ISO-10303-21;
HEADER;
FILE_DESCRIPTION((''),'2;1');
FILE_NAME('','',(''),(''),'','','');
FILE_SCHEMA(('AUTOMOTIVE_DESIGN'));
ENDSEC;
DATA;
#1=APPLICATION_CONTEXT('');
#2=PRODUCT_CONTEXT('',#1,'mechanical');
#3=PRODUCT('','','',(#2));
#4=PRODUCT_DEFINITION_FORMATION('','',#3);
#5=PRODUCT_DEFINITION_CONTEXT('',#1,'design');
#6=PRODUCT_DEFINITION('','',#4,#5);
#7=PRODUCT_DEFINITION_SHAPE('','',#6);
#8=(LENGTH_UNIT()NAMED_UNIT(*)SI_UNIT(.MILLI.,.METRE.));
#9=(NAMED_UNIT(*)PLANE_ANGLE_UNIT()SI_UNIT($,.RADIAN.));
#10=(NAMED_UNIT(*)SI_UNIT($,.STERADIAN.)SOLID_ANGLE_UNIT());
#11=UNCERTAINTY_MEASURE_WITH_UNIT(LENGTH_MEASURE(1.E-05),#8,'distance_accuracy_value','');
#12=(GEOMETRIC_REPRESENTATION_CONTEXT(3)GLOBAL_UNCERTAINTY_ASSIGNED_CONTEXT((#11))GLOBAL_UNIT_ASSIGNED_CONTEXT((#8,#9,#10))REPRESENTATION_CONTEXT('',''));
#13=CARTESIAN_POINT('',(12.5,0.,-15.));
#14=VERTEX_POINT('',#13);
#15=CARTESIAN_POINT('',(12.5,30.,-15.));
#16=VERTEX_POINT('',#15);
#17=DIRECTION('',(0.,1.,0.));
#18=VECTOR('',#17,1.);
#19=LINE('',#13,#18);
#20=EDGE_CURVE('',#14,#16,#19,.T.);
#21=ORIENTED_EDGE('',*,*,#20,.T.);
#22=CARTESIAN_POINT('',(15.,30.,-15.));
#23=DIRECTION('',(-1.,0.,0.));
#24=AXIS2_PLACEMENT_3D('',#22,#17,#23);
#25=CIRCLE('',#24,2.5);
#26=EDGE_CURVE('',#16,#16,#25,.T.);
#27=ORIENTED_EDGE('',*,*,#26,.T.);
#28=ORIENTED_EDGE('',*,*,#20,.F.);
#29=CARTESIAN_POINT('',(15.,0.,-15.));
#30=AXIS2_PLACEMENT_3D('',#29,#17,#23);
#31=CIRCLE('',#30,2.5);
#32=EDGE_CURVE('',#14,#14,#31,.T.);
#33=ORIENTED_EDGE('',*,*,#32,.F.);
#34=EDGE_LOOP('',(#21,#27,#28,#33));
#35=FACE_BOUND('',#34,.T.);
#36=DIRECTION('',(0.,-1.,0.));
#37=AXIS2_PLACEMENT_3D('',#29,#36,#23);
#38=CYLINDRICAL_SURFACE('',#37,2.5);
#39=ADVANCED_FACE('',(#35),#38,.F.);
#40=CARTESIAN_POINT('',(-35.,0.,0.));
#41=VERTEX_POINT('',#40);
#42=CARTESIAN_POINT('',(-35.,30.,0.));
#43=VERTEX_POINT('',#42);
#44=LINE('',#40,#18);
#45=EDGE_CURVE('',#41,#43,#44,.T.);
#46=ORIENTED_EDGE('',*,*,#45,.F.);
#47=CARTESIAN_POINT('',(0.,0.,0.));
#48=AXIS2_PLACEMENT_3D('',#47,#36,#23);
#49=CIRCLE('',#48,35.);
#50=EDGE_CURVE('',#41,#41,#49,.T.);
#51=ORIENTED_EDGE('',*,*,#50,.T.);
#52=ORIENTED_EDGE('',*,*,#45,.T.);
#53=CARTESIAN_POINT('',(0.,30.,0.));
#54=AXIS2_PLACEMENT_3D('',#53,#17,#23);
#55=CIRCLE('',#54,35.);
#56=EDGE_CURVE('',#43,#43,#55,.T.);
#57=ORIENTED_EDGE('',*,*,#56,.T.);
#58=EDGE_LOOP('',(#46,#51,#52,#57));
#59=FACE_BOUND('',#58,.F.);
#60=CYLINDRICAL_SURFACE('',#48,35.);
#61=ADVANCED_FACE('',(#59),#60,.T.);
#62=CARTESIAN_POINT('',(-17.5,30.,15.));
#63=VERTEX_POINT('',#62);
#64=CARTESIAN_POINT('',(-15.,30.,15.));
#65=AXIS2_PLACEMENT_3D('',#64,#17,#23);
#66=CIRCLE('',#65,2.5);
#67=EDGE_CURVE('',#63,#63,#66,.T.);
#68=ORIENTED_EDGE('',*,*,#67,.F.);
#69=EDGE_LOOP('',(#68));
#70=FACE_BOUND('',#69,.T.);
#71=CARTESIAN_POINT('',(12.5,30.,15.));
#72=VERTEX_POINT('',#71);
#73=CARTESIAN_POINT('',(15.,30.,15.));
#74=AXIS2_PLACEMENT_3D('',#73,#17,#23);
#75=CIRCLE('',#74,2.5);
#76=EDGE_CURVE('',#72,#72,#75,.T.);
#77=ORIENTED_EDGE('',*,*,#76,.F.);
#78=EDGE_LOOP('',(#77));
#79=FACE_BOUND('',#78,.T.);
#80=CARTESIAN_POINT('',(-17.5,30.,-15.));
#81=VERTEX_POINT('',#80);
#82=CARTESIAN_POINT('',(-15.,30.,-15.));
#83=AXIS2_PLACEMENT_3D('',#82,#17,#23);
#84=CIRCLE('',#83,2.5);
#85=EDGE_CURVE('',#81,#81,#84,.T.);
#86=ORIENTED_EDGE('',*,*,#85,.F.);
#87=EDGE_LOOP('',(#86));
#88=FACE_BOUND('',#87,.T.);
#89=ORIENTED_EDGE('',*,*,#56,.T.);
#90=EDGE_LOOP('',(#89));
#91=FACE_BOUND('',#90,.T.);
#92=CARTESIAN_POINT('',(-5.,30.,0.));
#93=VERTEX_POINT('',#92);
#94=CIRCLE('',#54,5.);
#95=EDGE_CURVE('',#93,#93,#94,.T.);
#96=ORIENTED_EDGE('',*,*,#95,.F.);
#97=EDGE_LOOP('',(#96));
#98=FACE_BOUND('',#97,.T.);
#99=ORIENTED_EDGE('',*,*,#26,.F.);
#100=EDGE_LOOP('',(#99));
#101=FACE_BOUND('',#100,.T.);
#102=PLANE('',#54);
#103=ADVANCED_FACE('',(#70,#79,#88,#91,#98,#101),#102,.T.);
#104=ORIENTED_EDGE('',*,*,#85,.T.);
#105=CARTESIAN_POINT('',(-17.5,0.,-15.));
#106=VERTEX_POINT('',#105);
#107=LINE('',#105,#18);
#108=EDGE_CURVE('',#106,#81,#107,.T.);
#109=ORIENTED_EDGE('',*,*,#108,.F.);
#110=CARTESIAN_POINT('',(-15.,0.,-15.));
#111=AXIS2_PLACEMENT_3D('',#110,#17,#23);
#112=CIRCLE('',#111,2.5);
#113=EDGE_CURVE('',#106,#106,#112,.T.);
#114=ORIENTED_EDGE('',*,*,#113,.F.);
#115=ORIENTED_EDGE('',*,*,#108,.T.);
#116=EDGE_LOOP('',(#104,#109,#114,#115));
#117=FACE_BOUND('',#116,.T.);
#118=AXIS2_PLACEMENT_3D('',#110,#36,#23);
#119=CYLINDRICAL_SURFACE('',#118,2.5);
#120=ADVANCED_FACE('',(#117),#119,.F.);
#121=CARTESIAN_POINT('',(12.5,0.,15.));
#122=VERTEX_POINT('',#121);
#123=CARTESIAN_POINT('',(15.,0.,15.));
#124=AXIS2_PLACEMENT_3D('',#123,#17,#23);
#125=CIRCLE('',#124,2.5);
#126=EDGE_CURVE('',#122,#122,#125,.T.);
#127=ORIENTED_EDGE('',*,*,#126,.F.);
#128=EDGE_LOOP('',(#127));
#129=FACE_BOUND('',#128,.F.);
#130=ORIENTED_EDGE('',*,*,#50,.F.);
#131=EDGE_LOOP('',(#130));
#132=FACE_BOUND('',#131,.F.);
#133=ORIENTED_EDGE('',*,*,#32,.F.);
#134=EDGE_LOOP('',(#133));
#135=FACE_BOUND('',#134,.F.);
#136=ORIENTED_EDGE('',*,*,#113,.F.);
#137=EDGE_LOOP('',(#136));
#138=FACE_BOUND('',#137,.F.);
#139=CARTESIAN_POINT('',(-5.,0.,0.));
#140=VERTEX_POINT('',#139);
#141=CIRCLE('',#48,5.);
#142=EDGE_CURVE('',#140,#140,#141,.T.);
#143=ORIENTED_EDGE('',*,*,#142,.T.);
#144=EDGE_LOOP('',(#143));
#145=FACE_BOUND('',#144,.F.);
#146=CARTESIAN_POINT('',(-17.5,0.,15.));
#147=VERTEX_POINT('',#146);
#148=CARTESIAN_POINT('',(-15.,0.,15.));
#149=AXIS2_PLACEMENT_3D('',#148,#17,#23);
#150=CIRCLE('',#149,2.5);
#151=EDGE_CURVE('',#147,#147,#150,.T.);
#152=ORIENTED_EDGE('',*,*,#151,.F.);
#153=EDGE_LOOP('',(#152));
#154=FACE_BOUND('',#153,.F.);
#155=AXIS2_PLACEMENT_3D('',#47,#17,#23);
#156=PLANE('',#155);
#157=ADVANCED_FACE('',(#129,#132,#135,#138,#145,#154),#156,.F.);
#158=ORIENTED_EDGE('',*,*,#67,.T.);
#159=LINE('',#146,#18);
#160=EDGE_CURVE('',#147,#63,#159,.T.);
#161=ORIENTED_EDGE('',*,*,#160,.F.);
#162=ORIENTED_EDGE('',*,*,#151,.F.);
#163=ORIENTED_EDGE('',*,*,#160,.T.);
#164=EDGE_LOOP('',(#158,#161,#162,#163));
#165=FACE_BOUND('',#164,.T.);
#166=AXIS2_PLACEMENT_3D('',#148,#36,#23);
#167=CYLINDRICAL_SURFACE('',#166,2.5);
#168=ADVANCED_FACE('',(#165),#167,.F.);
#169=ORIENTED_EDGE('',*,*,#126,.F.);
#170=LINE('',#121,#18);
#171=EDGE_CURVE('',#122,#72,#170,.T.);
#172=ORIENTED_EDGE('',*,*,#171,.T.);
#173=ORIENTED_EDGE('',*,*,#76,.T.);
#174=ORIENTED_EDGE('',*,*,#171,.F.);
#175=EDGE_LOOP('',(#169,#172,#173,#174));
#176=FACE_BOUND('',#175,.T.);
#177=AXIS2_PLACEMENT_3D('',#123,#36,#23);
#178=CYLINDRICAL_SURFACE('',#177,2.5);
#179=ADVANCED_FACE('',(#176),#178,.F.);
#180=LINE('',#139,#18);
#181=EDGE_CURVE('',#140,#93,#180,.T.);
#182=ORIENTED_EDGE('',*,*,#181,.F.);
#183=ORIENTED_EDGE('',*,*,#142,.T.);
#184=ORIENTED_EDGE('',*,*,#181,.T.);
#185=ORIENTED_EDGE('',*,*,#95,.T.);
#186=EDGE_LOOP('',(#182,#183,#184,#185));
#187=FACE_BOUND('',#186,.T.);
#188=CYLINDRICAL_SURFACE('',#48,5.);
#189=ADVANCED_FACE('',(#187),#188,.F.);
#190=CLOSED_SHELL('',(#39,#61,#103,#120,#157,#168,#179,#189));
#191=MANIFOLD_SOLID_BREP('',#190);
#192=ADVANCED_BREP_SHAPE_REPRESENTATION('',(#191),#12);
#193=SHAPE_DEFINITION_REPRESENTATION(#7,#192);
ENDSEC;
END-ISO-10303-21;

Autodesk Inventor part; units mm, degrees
ref_plane "YZ Plane" through (0, 0, 0) normal (1, 0, 0) x (0, 1, 0)
ref_plane "XZ Plane" through (0, 0, 0) normal (0, 1, 0) x (-1, 0, 0)
ref_plane "XY Plane" through (0, 0, 0) normal (0, 0, 1) x (1, 0, 0)
sketch "Block1" plane through (0, 0, 0) normal (0, 0, 1) x (1, 0, 0)
  circle A0 centre (0, 0) radius 50.22
  circle A1 centre (-30, -32.5) radius 2.72
  circle A2 centre (30, -32.5) radius 2.72
  circle A3 centre (0, 0) radius 5.22
  circle A4 centre (-30, 32.5) radius 2.72
  circle A5 centre (30, 32.5) radius 2.72
sketch "Block2" plane through (0, 0, 0) normal (0, 0, 1) x (1, 0, 0)
  circle A0 centre (0, 0) radius 35.22
  circle A1 centre (0, 0) radius 5.22
  circle A2 centre (20, 20) radius 2.72
  circle A3 centre (-20, 20) radius 2.72
  circle A4 centre (-20, -20) radius 2.72
  circle A5 centre (20, -20) radius 2.72
  point P0 (0, 0)
sketch "Block3" plane through (0, 0, 0) normal (0, 0, 1) x (1, 0, 0)
  circle A0 centre (0, 0) radius 35.22
  circle A1 centre (-15, 17.5) radius 2.72
  circle A2 centre (0, 0) radius 5.22
  circle A3 centre (-15, -17.5) radius 2.72
  circle A4 centre (15, 17.5) radius 2.72
  circle A5 centre (15, -17.5) radius 2.72
sketch "Block4" plane through (0, 0, 0) normal (0, 0, 1) x (1, 0, 0)
  circle A0 centre (0, 0) radius 35.22
  circle A1 centre (-15, 15) radius 2.72
  circle A2 centre (-15, -15) radius 2.72
  circle A3 centre (0, 0) radius 5.22
  circle A4 centre (15, 15) radius 2.72
  circle A5 centre (15, -15) radius 2.72
sketch "Sketch1" plane through (0, 0, 0) normal (0, 1, 0) x (-1, 0, 0)
  circle A0 centre (0, 0) radius 35
  line L0 (49, 0) -> (-49, 0) projected
  line L1 (0, -49) -> (0, 49) projected
  circle A1 centre (-15, -15) radius 2.5
  circle A2 centre (15, -15) radius 2.5
  circle A3 centre (-15, 15) radius 2.5
  circle A4 centre (15, 15) radius 2.5
  circle A5 centre (0, 0) radius 5
  dimension "d0" = 70
  dimension "d29" = 5
  dimension "d30" = 15
  dimension "d31" = 15
  dimension "d34" = 10
extrude "Extrusion5" add sketch "Sketch1" along normal blind 30 contours L0 A5 L1 A0 | A0 L1 A5 L0 | L1 A5 L0 A0 | A0 L0 A5 L1
sketch "Sketch9" plane through (0, 0, 0) normal (0, -1, 0) x (1, 0, 0)
  circle A0 centre (0, 0) radius 5 projected
  circle A1 centre (-15, 15) radius 2.5 projected
  circle A2 centre (15, 15) radius 2.5 projected
  circle A3 centre (-15, -15) radius 2.5 projected
  circle A4 centre (15, -15) radius 2.5 projected
  circle A5 centre (0, 0) radius 35 projected
sketch "DXF" plane through (0, 0, 0) normal (0, 1, 0) x (-1, 0, 0)
  point P0 (0, 0)
properties part number "drivepulleyMiddle"
